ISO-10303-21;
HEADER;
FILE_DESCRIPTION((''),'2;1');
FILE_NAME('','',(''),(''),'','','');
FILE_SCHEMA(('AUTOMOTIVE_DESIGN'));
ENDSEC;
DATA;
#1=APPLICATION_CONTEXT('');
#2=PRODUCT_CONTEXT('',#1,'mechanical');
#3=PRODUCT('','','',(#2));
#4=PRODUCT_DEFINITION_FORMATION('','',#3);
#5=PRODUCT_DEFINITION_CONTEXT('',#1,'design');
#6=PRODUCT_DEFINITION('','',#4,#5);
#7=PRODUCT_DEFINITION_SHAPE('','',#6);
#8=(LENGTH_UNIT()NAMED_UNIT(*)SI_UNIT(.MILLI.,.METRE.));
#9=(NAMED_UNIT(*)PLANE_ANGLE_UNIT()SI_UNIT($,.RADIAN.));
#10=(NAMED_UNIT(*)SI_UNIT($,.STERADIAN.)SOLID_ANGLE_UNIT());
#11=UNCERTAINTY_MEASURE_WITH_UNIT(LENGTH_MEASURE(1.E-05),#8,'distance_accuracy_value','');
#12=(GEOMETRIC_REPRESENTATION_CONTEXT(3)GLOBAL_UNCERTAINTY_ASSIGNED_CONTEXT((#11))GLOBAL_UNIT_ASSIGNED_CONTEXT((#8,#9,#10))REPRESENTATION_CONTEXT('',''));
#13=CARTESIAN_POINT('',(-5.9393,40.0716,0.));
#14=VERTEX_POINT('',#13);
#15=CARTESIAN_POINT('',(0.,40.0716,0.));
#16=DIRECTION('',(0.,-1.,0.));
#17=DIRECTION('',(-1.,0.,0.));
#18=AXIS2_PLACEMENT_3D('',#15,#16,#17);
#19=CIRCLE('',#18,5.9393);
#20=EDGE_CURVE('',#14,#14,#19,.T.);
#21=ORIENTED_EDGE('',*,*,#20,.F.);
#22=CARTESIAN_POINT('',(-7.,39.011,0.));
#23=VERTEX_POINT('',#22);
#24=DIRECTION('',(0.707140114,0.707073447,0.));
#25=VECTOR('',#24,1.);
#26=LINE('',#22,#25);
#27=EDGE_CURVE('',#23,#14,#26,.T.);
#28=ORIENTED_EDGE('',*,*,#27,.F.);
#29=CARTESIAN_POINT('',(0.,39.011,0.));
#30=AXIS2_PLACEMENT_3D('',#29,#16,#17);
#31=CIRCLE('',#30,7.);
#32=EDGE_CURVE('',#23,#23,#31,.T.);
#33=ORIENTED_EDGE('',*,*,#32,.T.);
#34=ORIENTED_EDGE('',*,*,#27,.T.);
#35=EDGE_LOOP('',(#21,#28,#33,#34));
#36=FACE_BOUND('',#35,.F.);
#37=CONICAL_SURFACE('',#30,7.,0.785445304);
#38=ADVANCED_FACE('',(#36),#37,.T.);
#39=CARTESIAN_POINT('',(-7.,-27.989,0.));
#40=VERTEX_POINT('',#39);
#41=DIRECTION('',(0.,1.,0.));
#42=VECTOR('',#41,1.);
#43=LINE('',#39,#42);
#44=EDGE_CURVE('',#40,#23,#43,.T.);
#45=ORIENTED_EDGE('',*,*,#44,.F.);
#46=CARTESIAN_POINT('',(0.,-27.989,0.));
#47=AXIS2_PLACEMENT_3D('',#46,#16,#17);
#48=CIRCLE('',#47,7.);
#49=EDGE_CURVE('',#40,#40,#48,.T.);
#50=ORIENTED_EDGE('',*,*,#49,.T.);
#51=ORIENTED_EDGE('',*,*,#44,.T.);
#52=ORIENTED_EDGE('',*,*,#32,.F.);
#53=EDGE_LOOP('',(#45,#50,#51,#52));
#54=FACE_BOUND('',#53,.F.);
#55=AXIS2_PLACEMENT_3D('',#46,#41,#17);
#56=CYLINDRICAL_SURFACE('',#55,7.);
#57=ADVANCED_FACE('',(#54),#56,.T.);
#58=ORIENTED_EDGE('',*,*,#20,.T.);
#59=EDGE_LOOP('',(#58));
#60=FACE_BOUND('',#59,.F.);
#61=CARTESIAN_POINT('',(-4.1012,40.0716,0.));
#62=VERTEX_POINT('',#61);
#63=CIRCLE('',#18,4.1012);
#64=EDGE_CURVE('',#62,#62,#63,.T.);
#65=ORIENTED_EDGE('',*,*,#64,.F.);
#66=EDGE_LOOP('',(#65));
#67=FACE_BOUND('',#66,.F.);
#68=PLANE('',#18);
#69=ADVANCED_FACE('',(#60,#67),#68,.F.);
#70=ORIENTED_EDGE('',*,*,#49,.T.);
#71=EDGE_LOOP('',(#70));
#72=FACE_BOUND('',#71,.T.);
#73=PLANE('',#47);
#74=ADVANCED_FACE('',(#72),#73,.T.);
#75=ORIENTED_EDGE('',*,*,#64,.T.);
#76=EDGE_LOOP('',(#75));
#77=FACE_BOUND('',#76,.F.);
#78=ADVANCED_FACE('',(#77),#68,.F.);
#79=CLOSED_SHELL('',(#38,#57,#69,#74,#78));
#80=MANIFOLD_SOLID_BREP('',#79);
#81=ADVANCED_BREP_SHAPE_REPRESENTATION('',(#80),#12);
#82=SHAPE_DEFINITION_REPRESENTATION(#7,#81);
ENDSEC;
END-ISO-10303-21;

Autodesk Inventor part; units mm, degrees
ref_plane "YZ Plane" through (0, 0, 0) normal (1, 0, 0) x (0, 1, 0)
ref_plane "XZ Plane" through (0, 0, 0) normal (0, 1, 0) x (-1, 0, 0)
ref_plane "XY Plane" through (0, 0, 0) normal (0, 0, 1) x (1, 0, 0)
sketch "Sketch1" plane through (0, 0, 0) normal (0, 0, 1) x (1, 0, 0)
  line L0 (-7, -27.989) -> (-7, 39.011)
  line L1 (-7, 39.011) -> (-5.9393, 40.0716)
  line L2 (-7, 39.011) -> (-5.5, 39.011) construction
  line L3 (-5.9393, 40.0716) -> (-4.1012, 40.0716)
  line L4 (0, 40.7587) -> (0, -33.1319) construction
  line L5 (-4.1012, 40.0716) -> (0, 40.0716)
  line L6 (-7, -27.989) -> (0, -27.989)
  line L7 (0, -27.989) -> (0, 40.0716)
  point P0 (0, 0)
  dimension "d0" = 67
  dimension "d1" = 1.5
  dimension "d2" = 45
  dimension "d3" = 14
revolve "Revolution1" add sketch "Sketch1" angle 360 about axis through (0, 40.7587, 0) along (0, -1, 0)
properties part number "parte1_cilindro"
